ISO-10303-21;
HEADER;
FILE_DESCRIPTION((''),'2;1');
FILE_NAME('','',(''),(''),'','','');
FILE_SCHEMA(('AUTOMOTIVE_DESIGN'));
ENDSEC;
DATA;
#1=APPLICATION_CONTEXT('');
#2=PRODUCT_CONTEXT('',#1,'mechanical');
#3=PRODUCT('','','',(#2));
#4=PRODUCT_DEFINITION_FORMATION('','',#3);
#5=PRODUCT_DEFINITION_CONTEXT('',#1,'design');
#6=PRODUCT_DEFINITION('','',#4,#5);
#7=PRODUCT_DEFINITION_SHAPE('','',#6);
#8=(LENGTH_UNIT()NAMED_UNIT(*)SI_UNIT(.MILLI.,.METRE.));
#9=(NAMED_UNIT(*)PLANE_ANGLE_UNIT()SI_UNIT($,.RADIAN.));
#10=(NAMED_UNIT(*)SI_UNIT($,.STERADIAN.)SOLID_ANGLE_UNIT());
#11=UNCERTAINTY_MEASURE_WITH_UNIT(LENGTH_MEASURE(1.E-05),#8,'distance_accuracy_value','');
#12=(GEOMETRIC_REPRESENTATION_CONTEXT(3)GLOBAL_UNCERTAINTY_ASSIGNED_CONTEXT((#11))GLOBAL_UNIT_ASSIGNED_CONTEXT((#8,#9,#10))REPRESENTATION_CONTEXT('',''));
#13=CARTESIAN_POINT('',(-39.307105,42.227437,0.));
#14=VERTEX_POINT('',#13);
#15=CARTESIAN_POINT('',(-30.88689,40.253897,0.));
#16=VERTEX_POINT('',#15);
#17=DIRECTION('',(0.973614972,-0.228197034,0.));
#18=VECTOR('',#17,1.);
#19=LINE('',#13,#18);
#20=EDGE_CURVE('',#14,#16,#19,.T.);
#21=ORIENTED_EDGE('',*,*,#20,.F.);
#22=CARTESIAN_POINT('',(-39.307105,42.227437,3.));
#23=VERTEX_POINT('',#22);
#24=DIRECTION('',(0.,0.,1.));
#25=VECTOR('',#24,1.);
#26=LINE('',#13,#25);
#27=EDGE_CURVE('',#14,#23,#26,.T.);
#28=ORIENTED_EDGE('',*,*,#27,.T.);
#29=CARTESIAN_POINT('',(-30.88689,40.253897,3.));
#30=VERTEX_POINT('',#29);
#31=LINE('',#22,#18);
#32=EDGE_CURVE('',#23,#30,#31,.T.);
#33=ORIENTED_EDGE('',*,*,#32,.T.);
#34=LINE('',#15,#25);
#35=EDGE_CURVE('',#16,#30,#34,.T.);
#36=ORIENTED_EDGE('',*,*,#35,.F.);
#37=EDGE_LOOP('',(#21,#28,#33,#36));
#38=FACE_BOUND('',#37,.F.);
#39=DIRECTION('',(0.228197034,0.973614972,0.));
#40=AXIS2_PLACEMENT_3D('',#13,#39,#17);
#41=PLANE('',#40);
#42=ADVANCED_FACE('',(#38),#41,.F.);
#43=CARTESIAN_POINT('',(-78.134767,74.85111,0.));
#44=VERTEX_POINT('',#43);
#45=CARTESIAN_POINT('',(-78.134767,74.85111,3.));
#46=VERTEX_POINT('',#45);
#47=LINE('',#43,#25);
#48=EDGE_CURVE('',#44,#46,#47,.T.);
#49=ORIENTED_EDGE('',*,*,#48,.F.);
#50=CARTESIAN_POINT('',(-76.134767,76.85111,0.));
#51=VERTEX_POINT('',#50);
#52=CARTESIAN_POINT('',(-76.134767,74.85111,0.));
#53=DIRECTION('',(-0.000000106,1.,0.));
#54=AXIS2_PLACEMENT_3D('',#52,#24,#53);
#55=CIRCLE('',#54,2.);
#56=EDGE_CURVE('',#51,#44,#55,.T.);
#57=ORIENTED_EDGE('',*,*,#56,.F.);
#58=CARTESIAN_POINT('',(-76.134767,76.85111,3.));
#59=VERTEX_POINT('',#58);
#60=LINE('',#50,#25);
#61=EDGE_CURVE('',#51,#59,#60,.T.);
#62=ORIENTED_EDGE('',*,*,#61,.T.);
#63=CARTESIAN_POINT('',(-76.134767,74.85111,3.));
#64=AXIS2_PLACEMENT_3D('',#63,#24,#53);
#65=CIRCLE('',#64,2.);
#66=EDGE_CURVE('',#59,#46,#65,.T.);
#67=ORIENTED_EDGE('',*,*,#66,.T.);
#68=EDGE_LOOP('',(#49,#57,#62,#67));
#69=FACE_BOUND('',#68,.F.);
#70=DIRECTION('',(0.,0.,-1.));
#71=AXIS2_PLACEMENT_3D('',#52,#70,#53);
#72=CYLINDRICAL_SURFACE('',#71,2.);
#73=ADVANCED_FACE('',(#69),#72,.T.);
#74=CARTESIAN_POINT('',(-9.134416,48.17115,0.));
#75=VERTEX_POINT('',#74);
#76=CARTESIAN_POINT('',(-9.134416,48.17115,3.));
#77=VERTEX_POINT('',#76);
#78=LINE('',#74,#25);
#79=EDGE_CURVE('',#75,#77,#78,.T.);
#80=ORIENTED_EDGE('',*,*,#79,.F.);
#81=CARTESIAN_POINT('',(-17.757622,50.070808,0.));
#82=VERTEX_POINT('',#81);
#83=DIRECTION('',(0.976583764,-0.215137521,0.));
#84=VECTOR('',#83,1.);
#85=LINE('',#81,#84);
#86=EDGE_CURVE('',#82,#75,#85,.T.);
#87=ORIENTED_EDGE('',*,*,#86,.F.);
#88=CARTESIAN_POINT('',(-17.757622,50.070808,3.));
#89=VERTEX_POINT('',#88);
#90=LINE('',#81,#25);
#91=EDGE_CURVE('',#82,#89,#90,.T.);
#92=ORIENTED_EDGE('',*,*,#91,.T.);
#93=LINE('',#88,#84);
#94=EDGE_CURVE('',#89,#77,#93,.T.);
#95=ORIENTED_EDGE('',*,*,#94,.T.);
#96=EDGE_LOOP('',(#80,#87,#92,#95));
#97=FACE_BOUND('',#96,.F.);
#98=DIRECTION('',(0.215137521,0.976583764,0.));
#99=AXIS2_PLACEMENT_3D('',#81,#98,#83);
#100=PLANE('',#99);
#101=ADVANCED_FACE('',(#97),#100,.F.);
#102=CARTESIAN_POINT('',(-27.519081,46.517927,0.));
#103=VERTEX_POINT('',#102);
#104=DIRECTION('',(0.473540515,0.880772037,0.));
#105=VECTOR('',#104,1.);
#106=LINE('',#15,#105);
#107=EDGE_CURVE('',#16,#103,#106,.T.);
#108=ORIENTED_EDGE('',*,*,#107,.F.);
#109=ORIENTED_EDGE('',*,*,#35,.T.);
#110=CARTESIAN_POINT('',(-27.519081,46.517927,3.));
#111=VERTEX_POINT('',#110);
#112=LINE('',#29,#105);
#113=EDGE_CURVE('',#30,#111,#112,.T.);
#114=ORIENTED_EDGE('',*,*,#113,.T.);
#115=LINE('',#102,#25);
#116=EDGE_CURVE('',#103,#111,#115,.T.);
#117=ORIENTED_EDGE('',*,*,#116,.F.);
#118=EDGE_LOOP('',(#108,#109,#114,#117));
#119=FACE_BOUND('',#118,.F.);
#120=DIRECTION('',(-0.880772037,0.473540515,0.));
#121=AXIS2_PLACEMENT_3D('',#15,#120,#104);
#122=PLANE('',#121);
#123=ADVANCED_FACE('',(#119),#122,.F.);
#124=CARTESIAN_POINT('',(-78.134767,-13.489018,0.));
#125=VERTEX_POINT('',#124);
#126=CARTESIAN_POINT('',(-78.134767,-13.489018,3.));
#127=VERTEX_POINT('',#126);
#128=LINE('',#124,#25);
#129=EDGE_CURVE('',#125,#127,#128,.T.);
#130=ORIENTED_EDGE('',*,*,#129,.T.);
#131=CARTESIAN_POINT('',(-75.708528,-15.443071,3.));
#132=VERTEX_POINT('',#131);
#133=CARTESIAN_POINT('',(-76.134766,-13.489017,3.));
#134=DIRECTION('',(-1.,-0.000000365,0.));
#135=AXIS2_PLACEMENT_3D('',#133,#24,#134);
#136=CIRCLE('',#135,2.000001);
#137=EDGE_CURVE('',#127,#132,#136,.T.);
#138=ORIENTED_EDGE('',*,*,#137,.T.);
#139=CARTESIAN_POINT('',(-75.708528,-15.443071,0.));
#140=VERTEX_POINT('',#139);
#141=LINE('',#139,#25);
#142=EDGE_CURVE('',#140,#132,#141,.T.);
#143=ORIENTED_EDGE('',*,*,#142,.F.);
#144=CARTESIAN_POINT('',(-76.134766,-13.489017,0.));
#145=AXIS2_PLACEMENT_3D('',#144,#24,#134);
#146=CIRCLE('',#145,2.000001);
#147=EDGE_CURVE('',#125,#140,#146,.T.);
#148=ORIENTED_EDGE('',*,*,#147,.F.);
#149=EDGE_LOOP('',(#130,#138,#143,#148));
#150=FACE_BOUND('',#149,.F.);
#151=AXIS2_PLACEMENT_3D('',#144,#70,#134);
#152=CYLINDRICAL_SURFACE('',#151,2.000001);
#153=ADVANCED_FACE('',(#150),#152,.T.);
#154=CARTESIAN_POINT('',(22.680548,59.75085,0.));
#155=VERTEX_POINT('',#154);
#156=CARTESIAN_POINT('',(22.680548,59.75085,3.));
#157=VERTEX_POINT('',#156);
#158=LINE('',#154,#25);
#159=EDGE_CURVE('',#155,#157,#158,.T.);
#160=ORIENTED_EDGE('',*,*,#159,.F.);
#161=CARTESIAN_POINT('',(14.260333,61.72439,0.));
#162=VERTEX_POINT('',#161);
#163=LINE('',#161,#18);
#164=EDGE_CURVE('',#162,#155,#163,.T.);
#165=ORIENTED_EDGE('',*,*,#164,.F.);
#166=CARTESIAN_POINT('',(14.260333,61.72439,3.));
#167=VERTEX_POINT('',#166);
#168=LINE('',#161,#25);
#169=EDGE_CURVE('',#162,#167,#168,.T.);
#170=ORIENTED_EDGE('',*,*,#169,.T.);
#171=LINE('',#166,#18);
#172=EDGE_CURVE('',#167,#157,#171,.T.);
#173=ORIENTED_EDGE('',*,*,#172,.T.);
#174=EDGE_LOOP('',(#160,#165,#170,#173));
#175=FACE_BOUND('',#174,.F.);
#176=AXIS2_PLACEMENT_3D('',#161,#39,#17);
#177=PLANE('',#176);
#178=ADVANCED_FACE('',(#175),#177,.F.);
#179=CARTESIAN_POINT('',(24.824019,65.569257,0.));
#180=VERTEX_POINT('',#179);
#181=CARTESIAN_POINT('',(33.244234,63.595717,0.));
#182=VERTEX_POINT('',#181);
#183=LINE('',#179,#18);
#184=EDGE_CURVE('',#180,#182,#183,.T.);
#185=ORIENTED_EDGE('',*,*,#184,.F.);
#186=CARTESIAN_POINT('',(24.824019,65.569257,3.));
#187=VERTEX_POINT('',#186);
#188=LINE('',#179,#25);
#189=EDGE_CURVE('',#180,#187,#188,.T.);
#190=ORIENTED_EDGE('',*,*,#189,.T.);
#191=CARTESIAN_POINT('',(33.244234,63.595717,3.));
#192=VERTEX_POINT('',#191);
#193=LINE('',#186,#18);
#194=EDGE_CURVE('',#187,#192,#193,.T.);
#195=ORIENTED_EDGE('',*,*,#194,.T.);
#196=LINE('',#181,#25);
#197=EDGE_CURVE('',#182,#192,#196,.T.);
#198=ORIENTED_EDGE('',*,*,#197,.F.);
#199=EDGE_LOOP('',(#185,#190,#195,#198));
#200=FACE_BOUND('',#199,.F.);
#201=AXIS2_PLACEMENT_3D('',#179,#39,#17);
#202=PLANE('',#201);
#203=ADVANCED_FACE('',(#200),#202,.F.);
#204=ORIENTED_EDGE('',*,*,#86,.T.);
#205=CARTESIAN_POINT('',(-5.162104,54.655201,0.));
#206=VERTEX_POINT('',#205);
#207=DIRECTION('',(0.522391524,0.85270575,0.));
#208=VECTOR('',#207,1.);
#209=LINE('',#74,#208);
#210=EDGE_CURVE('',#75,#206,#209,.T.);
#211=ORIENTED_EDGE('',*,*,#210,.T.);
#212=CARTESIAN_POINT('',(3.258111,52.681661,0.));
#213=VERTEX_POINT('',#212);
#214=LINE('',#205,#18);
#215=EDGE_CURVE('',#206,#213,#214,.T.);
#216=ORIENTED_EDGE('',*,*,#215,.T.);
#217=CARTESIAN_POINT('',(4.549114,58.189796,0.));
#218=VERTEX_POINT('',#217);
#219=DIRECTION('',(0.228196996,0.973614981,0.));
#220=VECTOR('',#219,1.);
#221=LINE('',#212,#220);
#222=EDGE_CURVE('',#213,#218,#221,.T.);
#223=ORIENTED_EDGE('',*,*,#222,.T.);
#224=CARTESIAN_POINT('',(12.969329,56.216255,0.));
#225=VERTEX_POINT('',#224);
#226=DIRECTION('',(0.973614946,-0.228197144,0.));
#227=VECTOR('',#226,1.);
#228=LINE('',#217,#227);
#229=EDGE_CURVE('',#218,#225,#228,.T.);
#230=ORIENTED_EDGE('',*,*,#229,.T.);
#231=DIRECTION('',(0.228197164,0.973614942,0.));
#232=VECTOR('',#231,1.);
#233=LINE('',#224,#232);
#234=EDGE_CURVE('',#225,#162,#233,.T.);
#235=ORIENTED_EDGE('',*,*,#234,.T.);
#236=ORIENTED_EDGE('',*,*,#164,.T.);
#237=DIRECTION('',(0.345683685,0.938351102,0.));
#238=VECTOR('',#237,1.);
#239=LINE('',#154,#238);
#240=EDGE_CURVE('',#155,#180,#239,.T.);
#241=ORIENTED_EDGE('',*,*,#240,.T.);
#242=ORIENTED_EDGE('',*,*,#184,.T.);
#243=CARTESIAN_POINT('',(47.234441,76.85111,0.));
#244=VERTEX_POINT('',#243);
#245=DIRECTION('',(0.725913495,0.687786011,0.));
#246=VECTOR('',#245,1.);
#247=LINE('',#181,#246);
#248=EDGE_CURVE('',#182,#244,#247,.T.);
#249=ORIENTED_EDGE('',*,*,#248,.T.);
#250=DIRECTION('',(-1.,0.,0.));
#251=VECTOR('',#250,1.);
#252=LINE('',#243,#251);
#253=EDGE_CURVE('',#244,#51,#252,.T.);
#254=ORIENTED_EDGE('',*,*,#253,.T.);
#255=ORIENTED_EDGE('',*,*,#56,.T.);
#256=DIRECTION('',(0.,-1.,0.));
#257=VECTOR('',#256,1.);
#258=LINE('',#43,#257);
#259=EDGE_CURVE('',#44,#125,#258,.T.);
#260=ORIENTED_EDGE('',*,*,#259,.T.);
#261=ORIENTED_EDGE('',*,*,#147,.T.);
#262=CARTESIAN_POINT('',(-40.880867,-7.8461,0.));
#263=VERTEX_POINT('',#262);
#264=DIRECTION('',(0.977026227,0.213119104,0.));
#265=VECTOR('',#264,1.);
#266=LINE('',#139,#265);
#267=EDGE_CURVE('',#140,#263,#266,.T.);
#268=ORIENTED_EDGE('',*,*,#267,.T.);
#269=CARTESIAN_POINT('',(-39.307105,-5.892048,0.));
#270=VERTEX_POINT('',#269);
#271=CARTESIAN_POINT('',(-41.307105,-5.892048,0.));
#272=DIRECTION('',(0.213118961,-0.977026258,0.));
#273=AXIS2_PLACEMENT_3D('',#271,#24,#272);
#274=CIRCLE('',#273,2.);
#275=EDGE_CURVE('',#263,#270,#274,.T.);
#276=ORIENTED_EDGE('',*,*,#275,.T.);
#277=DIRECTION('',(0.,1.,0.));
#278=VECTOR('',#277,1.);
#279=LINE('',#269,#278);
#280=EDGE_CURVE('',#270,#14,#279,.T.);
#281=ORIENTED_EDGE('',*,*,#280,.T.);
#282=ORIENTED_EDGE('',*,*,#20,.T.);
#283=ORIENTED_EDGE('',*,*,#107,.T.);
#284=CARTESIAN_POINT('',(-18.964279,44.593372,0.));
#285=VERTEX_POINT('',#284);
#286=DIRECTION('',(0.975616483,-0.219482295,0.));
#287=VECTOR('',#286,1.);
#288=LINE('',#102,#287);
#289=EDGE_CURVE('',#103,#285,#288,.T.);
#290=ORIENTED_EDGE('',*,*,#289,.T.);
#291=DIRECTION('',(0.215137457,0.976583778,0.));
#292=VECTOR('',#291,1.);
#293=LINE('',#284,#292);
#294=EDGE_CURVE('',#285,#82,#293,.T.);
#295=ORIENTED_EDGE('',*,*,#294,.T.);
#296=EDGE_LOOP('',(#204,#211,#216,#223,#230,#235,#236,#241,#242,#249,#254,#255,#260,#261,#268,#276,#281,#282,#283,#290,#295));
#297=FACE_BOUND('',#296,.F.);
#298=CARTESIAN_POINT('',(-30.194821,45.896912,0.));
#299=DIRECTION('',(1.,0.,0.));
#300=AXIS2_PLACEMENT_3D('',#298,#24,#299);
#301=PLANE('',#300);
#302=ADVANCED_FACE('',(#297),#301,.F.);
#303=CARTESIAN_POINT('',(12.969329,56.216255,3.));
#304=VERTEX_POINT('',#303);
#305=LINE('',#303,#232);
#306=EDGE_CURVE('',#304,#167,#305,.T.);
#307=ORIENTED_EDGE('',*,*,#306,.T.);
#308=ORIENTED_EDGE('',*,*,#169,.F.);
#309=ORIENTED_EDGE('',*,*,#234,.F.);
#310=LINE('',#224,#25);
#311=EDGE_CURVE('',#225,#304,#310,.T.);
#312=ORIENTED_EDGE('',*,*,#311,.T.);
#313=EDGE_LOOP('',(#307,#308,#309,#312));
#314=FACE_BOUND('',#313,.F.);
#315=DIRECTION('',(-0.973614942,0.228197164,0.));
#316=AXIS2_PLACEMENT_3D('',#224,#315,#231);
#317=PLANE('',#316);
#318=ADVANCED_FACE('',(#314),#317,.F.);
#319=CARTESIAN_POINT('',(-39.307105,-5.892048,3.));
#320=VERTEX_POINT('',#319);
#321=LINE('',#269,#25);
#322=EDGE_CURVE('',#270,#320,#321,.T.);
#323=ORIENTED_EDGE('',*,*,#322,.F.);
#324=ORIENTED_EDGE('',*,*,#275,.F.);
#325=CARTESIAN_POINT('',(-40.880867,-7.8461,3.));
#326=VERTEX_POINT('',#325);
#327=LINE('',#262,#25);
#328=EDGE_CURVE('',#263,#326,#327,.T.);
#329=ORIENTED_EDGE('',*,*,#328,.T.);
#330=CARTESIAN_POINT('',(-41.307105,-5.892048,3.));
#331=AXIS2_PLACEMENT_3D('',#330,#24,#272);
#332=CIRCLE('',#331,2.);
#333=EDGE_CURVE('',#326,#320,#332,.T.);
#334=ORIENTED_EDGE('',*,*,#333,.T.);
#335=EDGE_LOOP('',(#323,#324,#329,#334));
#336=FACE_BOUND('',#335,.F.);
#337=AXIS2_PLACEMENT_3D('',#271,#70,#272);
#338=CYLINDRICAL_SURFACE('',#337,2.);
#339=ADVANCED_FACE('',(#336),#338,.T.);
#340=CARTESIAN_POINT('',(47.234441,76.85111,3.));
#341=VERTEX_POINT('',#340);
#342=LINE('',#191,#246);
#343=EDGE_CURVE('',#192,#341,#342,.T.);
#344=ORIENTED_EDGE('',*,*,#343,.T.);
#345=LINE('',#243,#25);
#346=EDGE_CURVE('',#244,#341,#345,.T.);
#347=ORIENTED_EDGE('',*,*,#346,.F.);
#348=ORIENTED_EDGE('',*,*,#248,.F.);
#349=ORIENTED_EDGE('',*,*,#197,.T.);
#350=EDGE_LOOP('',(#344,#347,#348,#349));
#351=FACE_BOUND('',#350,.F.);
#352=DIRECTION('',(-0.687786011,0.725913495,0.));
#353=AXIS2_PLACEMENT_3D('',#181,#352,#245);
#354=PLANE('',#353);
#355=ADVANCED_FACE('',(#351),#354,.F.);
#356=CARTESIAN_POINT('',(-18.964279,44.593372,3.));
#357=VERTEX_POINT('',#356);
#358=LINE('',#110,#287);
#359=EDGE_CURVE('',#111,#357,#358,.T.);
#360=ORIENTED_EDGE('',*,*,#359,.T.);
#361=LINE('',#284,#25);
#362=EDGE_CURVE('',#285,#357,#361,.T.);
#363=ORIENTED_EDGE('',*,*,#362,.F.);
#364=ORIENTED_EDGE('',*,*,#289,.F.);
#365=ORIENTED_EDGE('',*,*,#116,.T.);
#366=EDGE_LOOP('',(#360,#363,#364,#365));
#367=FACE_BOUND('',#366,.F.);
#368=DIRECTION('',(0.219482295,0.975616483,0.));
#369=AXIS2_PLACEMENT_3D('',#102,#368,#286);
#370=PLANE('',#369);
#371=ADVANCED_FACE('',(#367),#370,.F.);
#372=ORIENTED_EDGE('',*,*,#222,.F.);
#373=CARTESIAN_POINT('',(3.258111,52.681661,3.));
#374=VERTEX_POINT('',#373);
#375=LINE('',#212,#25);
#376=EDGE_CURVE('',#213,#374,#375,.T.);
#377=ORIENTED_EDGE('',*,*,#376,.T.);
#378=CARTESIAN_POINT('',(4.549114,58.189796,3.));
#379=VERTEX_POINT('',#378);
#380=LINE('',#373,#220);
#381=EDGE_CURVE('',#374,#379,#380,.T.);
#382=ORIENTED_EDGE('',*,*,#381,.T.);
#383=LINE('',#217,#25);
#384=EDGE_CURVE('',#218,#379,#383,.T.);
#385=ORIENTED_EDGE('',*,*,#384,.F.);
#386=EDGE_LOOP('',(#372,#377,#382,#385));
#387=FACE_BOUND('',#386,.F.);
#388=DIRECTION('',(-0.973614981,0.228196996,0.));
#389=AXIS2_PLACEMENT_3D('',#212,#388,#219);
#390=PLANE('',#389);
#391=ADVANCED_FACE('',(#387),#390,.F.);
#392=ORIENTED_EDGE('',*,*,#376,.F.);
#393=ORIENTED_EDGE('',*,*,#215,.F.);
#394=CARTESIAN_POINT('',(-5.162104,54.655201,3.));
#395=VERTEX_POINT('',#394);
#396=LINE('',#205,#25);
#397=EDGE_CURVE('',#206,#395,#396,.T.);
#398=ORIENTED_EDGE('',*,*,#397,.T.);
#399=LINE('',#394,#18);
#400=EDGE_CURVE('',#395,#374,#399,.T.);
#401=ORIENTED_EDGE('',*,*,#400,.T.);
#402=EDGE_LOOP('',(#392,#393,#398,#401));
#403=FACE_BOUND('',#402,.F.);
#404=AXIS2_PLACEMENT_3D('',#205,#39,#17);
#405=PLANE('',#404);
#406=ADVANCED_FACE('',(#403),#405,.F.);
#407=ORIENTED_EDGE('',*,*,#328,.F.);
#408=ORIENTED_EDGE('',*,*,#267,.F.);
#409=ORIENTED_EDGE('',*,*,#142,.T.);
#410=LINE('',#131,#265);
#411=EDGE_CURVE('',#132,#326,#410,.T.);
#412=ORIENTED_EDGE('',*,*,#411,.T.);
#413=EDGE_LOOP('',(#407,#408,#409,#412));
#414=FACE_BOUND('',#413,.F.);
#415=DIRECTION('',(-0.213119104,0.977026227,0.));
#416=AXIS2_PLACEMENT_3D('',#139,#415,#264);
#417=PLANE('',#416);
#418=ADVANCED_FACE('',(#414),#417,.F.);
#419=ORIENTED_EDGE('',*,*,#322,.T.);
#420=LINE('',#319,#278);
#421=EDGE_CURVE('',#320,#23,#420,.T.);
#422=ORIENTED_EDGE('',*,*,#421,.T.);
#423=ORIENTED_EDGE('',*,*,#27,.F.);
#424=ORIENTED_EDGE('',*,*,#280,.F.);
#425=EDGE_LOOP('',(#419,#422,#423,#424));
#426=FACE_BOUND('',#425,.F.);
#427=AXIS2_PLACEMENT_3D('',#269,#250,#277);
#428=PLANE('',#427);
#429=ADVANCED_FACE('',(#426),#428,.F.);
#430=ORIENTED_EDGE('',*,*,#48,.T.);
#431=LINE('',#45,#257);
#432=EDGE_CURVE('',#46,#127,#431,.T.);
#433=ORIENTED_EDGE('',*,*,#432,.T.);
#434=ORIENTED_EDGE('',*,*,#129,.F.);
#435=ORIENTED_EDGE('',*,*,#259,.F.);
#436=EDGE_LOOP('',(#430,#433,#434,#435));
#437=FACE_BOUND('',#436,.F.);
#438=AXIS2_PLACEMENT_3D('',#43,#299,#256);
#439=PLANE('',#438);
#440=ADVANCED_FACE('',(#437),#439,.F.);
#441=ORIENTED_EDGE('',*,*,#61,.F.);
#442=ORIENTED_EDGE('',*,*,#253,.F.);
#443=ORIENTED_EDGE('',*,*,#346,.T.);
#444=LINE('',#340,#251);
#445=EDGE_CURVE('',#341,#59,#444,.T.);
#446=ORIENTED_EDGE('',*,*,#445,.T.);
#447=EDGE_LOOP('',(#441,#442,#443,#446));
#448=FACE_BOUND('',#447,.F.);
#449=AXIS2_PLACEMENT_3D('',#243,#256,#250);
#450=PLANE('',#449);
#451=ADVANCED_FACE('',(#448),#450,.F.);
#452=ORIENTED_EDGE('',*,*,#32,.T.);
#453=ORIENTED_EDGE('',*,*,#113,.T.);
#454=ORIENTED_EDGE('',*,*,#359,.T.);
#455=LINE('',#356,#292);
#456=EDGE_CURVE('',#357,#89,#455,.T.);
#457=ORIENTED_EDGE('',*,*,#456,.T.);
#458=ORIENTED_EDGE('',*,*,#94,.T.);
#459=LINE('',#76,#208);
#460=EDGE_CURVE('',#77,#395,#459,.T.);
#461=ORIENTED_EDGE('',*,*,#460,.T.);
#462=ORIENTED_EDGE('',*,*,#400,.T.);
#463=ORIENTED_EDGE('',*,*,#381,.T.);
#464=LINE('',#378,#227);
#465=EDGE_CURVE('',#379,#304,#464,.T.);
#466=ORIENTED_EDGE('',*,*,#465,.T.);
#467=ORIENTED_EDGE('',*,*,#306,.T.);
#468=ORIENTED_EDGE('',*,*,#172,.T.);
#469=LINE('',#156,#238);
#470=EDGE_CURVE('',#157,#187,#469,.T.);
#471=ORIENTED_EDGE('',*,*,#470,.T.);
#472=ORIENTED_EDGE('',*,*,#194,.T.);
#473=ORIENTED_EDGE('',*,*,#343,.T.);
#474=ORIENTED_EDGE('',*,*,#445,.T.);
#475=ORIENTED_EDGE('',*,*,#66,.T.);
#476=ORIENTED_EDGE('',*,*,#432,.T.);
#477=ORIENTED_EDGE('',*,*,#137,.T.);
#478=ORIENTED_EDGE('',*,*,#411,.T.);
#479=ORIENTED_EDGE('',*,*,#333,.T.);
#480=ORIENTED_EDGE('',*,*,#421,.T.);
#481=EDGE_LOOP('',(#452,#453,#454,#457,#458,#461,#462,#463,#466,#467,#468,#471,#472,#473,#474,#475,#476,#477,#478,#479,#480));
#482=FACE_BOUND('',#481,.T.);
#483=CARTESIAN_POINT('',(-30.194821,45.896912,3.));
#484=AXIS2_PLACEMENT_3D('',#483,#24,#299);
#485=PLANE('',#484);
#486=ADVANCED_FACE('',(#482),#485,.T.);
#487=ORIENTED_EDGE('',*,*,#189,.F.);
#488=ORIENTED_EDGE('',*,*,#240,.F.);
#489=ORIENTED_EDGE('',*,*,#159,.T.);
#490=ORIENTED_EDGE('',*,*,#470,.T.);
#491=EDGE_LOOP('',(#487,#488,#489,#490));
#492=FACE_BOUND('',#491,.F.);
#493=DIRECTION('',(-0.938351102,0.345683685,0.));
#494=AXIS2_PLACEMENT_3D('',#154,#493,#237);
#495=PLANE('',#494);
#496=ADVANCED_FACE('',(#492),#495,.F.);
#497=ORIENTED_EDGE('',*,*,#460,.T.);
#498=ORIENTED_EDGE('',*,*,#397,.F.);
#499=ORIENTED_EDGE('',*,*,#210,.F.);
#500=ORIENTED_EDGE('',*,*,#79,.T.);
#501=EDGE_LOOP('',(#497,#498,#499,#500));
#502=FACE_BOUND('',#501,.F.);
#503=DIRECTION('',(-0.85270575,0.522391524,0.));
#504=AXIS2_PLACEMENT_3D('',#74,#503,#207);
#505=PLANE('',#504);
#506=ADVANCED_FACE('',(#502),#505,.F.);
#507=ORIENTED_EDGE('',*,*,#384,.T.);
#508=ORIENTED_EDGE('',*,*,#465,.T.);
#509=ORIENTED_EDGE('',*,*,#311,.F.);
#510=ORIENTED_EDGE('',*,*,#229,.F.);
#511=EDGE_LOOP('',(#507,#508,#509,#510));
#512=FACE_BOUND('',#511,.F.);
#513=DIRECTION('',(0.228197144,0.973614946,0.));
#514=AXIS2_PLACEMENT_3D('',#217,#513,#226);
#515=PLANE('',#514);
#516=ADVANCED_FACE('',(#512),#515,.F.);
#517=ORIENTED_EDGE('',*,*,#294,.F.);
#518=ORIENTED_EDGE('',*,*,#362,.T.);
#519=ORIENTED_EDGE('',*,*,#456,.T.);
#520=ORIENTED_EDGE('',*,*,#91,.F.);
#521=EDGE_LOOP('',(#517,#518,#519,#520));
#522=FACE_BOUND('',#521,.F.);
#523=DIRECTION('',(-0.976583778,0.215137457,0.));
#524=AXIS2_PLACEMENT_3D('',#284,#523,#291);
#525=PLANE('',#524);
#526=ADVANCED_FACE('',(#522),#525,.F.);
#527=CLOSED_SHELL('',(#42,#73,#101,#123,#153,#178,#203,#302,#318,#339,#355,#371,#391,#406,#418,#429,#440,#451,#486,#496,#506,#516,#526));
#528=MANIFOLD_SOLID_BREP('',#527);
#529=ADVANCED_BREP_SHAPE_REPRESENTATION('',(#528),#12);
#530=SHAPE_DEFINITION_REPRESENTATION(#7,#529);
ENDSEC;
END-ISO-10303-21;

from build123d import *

# Parameters (mm, degrees)
F1_DEPTH = 3


with BuildPart() as f1:
    # F0 (on Top) → F1 (new body)
    with BuildSketch(Plane.XY):
        with BuildLine():
            Line((44.865233, 76.85111), (-76.134767, 76.85111))
            ThreePointArc((-76.134767, 76.85111), (-77.54898, 76.265324), (-78.134767, 74.85111))
            Line((-78.134767, 74.85111), (-78.134767, -13.489018))
            ThreePointArc((-78.134767, -13.489018), (-77.389263, -15.046657), (-75.708528, -15.443071))
            Line((-75.708528, -15.443071), (-40.880867, -7.8461))
            ThreePointArc((-40.880867, -7.8461), (-39.749467, -7.146545), (-39.307105, -5.892048))
            Line((-39.307105, -5.892048), (-39.307105, 36.074161))
            Line((-39.307105, 36.074161), (-39.307105, 42.227437))
            Line((-39.307105, 42.227437), (-30.88689, 40.253897))
            Line((-30.88689, 40.253897), (-27.519081, 46.517927))
            Line((-27.519081, 46.517927), (-18.964279, 44.593372))
            Line((-18.964279, 44.593372), (-17.757622, 50.070808))
            Line((-17.757622, 50.070808), (-9.134416, 48.17115))
            Line((-9.134416, 48.17115), (-5.162104, 54.655201))
            Line((-5.162104, 54.655201), (3.258111, 52.681661))
            Line((3.258111, 52.681661), (4.549114, 58.189796))
            Line((4.549114, 58.189796), (12.969329, 56.216255))
            Line((12.969329, 56.216255), (14.260333, 61.72439))
            Line((14.260333, 61.72439), (22.680548, 59.75085))
            Line((22.680548, 59.75085), (24.824019, 65.569257))
            Line((24.824019, 65.569257), (33.244234, 63.595717))
            Line((33.244234, 63.595717), (47.234441, 76.85111))
            Line((47.234441, 76.85111), (44.865233, 76.85111))
        make_face()
    extrude(amount=F1_DEPTH)


solid = f1.part
